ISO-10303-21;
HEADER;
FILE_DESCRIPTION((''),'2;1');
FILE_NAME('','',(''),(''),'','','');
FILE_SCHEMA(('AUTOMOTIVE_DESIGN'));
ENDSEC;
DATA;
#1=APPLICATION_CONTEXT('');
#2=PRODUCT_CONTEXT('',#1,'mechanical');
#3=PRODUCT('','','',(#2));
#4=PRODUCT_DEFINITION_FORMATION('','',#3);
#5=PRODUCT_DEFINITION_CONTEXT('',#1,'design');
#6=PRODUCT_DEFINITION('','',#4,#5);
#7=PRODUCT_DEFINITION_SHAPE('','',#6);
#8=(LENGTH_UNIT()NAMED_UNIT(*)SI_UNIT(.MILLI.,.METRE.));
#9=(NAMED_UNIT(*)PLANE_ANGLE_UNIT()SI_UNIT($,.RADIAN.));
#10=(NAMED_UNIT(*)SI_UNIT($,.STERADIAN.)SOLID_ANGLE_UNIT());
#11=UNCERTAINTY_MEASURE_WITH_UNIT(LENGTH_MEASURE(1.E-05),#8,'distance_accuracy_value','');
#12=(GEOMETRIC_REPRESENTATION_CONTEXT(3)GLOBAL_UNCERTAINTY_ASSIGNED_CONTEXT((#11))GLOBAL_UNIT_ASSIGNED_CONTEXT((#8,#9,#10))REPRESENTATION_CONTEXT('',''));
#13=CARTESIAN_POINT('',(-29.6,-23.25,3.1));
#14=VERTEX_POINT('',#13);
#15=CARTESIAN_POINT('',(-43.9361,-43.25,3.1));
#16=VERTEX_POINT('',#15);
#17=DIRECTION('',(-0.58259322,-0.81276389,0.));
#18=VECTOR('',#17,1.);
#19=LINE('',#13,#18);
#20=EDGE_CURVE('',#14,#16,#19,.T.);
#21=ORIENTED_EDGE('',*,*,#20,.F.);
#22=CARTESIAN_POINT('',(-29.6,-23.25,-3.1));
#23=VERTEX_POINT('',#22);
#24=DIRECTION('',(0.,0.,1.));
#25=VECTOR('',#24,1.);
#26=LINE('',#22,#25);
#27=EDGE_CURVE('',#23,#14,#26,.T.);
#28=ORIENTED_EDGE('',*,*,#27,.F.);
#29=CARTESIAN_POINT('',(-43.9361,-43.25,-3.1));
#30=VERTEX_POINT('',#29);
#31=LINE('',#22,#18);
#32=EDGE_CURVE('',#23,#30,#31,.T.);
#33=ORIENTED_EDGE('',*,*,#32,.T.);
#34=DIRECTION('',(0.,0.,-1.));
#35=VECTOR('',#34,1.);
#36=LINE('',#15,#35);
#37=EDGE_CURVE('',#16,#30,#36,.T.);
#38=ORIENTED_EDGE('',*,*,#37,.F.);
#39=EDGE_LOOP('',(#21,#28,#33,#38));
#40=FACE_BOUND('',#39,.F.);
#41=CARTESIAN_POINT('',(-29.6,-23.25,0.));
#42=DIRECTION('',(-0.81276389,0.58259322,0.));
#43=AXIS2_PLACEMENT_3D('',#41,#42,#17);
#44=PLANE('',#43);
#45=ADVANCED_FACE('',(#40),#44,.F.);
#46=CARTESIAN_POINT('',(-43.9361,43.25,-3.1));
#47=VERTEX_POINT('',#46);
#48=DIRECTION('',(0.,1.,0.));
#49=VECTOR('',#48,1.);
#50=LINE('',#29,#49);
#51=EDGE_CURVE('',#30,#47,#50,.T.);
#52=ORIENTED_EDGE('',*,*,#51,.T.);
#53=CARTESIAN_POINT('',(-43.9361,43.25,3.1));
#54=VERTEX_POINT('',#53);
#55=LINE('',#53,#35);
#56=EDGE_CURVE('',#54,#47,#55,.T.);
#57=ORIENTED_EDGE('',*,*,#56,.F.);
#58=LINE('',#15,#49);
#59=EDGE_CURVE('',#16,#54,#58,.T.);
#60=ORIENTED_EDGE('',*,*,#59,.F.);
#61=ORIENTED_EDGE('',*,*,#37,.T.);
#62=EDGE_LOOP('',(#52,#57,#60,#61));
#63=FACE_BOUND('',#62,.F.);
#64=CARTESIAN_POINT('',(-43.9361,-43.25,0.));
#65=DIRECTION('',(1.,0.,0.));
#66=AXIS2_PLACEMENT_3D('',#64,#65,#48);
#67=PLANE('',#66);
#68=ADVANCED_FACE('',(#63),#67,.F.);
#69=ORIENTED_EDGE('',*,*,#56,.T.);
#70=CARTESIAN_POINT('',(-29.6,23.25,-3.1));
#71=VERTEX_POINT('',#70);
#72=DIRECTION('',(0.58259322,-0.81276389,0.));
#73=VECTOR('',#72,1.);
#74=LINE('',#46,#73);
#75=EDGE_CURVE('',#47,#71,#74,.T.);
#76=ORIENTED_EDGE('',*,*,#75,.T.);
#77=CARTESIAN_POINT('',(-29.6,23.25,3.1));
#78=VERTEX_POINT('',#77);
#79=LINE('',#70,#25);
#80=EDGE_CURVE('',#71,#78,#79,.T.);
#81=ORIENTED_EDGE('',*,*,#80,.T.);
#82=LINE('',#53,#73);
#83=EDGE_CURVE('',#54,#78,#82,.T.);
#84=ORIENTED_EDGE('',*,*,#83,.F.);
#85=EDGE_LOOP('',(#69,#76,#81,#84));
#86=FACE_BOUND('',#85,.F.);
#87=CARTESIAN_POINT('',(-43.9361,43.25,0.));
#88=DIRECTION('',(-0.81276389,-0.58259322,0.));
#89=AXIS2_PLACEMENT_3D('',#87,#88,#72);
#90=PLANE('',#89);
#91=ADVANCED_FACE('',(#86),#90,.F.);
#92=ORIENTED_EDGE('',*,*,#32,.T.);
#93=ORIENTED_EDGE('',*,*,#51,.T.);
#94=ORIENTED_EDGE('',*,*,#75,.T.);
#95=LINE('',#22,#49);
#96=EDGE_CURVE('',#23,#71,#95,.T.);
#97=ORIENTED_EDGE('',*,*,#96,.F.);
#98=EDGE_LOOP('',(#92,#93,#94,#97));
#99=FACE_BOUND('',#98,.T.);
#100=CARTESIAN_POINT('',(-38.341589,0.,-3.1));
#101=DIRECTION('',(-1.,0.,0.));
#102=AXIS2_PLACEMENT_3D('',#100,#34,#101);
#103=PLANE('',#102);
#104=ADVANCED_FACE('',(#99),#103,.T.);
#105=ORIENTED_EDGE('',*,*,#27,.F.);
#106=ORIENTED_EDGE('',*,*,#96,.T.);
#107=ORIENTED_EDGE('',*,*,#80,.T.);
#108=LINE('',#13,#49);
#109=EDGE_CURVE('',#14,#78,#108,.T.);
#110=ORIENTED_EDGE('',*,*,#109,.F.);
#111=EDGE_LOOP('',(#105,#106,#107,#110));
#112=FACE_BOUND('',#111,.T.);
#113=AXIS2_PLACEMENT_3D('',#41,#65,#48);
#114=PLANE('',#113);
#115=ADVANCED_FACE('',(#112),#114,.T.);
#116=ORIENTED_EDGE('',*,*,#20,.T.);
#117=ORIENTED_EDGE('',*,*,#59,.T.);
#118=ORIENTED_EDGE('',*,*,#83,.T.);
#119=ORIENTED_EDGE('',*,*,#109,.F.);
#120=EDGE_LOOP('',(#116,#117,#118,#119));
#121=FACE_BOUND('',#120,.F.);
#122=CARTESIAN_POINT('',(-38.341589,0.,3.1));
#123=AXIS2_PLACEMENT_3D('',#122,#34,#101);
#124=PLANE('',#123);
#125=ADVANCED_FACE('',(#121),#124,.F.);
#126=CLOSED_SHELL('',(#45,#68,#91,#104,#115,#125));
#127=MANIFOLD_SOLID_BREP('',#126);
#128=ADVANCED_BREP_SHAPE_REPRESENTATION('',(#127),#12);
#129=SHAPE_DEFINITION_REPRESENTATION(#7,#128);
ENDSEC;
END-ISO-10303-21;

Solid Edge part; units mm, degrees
sketch "Sketch1" plane through (0, 0, 0) normal (0, 0, -1) x (-1, 0, 0)
  line L0 (29.6, -23.25) -> (43.9361, -43.25)
  line L1 (43.9361, -43.25) -> (43.9361, 43.25)
  line L2 (43.9361, 43.25) -> (29.6, 23.25)
  line L3 (29.6, -23.25) -> (29.6, 23.25)
extrude "Protrusion1" add sketch "Sketch1" along normal mid plane 6.2
properties material "PLA Filament"
